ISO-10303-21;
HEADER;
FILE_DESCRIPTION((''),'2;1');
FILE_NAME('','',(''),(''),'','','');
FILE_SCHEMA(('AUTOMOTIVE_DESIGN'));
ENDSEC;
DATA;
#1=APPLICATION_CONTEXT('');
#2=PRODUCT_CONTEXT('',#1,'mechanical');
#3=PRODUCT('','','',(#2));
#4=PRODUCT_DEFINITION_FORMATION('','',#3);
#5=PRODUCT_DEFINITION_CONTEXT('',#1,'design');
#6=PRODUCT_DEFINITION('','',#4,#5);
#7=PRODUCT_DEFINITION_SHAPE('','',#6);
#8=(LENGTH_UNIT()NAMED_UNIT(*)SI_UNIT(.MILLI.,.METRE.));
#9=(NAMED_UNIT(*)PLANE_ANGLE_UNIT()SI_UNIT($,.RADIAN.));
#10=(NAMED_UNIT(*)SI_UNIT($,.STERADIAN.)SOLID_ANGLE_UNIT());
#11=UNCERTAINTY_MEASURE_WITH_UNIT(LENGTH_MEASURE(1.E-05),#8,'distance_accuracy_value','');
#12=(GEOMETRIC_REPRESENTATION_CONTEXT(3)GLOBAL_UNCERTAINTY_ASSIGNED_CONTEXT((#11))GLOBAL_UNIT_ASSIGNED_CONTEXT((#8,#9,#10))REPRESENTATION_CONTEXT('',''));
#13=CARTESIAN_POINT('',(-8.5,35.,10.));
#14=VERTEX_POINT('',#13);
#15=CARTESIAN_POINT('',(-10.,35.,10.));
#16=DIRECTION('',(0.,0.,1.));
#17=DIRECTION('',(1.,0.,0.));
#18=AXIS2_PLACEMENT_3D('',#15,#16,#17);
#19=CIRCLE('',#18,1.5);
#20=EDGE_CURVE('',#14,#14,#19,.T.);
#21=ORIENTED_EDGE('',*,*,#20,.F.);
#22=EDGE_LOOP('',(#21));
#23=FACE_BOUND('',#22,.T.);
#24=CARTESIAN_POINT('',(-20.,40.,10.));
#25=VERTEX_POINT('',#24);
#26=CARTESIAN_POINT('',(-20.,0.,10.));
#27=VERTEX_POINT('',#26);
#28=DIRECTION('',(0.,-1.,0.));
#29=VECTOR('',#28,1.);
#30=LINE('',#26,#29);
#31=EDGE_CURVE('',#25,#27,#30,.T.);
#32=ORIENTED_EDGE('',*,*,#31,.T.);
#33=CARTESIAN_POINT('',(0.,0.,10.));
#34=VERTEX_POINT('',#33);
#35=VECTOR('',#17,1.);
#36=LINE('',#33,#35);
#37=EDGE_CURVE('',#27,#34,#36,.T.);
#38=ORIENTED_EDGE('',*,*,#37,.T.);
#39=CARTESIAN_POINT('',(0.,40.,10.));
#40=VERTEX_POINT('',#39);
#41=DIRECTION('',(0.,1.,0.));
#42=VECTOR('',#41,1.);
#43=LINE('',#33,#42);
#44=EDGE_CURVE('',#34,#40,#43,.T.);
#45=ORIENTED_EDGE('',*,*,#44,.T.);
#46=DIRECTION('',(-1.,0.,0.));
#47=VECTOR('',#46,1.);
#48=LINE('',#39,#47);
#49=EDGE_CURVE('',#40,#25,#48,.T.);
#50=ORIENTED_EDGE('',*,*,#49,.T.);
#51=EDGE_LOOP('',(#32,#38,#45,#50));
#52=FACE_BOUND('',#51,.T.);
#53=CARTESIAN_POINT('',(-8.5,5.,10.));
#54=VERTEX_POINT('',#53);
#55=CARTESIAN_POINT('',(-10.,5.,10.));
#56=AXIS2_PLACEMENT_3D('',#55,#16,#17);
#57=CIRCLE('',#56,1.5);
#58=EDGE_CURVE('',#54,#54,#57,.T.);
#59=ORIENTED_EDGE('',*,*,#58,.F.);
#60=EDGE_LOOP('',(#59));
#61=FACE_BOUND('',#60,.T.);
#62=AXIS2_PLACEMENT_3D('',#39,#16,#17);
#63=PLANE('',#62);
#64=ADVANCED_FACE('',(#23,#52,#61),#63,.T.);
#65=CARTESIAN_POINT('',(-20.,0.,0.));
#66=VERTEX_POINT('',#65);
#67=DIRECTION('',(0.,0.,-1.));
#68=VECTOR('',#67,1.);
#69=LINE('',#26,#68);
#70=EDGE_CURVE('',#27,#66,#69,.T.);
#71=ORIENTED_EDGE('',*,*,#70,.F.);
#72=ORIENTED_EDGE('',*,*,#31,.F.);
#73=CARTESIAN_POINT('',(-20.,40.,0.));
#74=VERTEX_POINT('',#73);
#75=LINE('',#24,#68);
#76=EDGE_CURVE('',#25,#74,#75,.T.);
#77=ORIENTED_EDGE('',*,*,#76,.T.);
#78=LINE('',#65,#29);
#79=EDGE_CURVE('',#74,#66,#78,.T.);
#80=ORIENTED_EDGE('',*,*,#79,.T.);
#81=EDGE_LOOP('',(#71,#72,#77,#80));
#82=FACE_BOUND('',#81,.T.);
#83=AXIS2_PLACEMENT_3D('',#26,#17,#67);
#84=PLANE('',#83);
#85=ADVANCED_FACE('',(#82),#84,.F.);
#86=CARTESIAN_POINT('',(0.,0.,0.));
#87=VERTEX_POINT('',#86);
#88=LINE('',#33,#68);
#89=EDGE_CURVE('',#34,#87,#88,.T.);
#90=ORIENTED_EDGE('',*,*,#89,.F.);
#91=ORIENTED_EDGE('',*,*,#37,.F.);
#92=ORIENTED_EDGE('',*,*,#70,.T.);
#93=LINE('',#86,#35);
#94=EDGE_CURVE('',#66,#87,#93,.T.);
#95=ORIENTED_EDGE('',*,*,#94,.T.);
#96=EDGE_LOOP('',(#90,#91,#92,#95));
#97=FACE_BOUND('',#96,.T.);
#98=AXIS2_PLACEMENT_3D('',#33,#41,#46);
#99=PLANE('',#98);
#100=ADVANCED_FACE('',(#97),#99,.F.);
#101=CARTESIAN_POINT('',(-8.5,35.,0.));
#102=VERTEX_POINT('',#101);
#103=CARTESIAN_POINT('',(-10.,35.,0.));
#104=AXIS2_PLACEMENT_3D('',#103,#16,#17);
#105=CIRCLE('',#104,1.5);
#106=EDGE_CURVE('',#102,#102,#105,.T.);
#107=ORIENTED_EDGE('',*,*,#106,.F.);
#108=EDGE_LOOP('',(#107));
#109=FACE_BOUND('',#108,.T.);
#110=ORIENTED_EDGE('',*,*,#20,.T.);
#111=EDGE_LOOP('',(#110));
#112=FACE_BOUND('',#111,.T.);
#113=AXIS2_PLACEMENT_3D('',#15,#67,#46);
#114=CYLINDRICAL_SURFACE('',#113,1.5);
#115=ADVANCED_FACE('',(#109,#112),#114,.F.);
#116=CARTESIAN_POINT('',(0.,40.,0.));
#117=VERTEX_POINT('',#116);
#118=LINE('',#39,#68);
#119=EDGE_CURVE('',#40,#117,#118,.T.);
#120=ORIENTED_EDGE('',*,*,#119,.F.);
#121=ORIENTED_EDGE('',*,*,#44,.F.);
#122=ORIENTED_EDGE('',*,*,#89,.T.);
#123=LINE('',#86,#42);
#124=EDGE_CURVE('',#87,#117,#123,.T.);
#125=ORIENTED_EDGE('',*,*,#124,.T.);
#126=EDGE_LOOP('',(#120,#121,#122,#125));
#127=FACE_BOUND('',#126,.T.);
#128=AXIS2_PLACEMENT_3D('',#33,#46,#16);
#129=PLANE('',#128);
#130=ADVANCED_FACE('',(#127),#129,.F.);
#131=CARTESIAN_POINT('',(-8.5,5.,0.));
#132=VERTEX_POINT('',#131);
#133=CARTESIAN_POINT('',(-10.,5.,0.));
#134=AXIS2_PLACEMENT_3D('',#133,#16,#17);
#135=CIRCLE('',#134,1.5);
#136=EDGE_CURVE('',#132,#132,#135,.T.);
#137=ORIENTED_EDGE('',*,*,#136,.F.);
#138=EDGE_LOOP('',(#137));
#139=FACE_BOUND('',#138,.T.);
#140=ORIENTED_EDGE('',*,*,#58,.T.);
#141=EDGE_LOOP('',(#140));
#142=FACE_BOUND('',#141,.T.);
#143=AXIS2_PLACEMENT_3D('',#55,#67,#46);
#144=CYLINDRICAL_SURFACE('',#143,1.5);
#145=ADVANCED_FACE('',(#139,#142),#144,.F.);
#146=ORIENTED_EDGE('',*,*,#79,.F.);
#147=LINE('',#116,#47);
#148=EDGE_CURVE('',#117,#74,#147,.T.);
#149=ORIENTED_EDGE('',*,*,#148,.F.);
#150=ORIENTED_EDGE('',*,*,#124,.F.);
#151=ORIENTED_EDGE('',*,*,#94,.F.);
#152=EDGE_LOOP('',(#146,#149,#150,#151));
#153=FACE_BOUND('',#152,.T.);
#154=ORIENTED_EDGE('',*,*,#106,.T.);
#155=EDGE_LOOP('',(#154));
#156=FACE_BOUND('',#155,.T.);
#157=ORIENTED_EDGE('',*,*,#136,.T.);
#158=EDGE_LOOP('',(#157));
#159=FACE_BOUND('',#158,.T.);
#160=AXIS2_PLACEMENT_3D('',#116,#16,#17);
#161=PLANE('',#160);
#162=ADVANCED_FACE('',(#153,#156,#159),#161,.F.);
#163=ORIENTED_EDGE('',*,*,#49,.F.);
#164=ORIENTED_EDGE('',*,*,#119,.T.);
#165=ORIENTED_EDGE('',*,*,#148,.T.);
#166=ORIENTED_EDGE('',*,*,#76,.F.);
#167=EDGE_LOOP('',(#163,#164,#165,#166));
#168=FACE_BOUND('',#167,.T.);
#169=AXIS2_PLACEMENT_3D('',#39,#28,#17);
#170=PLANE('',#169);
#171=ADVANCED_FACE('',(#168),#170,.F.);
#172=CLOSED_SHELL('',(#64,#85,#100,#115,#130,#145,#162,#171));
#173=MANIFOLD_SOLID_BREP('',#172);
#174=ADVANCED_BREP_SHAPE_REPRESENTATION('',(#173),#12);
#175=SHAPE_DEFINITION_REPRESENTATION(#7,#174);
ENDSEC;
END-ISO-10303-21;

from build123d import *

# Parameters (mm, degrees)
ESQUISSE1_W        = 20
ESQUISSE1_H        = 40
ESQUISSE1_R        = 1.5
BOSS_EXTRU_1_DEPTH = 10


with BuildPart() as part:
    # Esquisse1 → Boss.-Extru.1 (new body)
    with BuildSketch(Plane.XY):
        with Locations((-10, 20)):
            Rectangle(ESQUISSE1_W, ESQUISSE1_H)
        with Locations((-10, 35)):
            Circle(ESQUISSE1_R, mode=Mode.SUBTRACT)
        with Locations((-10, 5)):
            Circle(ESQUISSE1_R, mode=Mode.SUBTRACT)
    extrude(amount=BOSS_EXTRU_1_DEPTH)


solid = part.part
